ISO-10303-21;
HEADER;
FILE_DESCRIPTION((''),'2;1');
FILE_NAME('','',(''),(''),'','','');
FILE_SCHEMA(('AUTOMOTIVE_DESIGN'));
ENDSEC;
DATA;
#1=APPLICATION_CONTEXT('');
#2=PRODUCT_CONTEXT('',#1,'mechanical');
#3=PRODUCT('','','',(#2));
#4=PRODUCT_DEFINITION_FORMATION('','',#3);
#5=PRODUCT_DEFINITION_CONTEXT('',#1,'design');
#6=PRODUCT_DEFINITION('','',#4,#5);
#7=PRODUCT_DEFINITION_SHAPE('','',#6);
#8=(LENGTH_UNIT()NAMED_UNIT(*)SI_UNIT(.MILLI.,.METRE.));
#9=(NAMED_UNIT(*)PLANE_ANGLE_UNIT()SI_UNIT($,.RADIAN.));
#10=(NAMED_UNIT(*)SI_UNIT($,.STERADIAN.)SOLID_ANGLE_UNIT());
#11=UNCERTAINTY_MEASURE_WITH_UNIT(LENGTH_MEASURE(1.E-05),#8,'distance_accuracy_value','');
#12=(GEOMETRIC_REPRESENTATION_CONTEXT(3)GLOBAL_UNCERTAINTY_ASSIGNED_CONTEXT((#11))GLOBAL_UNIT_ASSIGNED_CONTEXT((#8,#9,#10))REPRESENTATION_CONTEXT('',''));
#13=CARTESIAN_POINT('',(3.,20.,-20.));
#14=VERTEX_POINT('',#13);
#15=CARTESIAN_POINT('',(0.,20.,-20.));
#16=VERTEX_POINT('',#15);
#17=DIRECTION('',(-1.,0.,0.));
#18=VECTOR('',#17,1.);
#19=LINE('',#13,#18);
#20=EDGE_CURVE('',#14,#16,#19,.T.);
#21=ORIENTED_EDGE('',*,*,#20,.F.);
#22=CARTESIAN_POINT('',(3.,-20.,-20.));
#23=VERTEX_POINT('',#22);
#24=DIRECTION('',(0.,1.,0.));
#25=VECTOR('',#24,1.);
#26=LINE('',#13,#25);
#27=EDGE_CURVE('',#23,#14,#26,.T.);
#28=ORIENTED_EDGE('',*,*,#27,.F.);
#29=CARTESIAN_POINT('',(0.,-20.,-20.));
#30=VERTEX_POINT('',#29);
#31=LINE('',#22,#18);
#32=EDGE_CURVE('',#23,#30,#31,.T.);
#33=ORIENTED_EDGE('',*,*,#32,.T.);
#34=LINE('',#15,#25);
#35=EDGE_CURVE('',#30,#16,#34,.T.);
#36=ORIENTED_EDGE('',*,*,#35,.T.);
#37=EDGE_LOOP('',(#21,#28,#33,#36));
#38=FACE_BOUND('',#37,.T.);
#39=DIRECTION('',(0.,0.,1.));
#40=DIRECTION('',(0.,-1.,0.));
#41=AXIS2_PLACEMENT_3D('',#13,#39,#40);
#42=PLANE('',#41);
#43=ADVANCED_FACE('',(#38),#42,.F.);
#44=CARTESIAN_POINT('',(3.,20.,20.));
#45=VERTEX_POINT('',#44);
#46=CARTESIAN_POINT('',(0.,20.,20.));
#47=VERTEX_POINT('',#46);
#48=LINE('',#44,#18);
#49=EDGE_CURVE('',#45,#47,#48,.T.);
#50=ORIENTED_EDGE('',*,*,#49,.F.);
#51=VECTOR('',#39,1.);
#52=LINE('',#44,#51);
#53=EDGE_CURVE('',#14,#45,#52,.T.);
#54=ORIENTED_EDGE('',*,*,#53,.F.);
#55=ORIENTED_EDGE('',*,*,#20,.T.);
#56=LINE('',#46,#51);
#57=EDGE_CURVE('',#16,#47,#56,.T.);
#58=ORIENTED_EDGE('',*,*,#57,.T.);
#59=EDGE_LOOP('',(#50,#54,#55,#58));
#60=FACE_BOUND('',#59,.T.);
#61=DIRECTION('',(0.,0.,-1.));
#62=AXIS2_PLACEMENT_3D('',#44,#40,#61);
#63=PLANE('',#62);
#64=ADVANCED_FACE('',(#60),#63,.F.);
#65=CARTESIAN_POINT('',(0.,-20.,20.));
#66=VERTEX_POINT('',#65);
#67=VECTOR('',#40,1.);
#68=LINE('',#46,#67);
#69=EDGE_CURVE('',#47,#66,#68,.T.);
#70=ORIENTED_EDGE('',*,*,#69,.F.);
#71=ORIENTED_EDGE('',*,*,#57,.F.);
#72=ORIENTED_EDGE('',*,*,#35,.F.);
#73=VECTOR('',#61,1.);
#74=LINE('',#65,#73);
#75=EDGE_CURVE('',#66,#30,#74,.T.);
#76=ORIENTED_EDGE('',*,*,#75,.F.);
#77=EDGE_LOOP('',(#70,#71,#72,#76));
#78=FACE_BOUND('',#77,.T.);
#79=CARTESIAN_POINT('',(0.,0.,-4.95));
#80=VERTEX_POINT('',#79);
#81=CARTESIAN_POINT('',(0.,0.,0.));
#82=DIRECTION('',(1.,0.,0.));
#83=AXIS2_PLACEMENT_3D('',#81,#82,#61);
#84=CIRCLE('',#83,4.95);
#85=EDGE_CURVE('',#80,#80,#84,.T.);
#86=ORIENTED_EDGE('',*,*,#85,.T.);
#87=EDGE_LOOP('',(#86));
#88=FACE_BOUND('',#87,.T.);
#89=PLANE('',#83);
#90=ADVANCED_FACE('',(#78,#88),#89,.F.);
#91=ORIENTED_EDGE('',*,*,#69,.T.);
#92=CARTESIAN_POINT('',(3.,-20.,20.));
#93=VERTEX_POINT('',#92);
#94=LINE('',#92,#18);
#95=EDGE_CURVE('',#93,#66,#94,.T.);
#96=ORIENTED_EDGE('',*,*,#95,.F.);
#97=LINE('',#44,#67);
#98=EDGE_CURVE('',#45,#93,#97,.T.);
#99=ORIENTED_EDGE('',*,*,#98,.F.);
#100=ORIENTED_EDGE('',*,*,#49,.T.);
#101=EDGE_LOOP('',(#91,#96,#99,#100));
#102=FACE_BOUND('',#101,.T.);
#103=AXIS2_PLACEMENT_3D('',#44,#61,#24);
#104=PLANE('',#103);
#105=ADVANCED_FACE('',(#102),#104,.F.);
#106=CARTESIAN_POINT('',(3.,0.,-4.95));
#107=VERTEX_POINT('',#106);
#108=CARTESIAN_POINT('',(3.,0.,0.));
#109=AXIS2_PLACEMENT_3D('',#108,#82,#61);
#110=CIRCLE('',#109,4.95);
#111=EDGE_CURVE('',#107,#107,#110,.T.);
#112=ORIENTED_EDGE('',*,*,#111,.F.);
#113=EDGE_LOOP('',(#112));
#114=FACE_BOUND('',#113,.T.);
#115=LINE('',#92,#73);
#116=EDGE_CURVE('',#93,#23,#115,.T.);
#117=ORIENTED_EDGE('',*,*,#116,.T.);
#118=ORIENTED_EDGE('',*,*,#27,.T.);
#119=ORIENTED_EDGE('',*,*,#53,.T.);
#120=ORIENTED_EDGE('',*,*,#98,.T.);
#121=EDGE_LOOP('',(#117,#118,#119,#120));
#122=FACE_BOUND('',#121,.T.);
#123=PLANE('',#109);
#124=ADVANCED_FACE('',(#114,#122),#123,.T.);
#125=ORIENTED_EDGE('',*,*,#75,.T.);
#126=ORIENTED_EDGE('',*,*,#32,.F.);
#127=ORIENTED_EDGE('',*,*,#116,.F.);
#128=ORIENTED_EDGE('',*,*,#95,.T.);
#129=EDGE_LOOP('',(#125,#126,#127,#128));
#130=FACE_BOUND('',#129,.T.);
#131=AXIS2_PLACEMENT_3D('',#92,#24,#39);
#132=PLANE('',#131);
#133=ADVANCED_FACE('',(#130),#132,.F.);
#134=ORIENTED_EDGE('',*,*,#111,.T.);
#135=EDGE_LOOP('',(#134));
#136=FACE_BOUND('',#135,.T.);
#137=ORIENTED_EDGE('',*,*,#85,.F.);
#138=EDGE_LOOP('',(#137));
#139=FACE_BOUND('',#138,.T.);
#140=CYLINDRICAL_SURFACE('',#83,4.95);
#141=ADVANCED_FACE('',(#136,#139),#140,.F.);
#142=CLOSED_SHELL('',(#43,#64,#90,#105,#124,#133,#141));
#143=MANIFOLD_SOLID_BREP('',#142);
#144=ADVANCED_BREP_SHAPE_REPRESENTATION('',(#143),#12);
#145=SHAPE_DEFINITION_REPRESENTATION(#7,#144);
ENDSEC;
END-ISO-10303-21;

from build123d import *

# Parameters (mm, degrees)
SKETCH2_W           = 40
SKETCH2_H           = 40
BOSS_EXTRUDE1_DEPTH = 3
SKETCH3_R           = 4.95
CUT_EXTRUDE1_DEPTH  = 3


with BuildPart() as part:
    # Sketch2 → Boss-Extrude1 (new body)
    with BuildSketch(Plane(origin=(0, 0, 0), x_dir=(0, 0, -1), z_dir=(1, 0, 0))):
        Rectangle(SKETCH2_W, SKETCH2_H)
    extrude(amount=BOSS_EXTRUDE1_DEPTH)

    # Sketch3 → Cut-Extrude1 (cut)
    with BuildSketch(Plane(origin=(3, 0, 0), x_dir=(0, 0, -1), z_dir=(1, 0, 0))):
        Circle(SKETCH3_R)
    extrude(amount=-CUT_EXTRUDE1_DEPTH, mode=Mode.SUBTRACT)


solid = part.part
